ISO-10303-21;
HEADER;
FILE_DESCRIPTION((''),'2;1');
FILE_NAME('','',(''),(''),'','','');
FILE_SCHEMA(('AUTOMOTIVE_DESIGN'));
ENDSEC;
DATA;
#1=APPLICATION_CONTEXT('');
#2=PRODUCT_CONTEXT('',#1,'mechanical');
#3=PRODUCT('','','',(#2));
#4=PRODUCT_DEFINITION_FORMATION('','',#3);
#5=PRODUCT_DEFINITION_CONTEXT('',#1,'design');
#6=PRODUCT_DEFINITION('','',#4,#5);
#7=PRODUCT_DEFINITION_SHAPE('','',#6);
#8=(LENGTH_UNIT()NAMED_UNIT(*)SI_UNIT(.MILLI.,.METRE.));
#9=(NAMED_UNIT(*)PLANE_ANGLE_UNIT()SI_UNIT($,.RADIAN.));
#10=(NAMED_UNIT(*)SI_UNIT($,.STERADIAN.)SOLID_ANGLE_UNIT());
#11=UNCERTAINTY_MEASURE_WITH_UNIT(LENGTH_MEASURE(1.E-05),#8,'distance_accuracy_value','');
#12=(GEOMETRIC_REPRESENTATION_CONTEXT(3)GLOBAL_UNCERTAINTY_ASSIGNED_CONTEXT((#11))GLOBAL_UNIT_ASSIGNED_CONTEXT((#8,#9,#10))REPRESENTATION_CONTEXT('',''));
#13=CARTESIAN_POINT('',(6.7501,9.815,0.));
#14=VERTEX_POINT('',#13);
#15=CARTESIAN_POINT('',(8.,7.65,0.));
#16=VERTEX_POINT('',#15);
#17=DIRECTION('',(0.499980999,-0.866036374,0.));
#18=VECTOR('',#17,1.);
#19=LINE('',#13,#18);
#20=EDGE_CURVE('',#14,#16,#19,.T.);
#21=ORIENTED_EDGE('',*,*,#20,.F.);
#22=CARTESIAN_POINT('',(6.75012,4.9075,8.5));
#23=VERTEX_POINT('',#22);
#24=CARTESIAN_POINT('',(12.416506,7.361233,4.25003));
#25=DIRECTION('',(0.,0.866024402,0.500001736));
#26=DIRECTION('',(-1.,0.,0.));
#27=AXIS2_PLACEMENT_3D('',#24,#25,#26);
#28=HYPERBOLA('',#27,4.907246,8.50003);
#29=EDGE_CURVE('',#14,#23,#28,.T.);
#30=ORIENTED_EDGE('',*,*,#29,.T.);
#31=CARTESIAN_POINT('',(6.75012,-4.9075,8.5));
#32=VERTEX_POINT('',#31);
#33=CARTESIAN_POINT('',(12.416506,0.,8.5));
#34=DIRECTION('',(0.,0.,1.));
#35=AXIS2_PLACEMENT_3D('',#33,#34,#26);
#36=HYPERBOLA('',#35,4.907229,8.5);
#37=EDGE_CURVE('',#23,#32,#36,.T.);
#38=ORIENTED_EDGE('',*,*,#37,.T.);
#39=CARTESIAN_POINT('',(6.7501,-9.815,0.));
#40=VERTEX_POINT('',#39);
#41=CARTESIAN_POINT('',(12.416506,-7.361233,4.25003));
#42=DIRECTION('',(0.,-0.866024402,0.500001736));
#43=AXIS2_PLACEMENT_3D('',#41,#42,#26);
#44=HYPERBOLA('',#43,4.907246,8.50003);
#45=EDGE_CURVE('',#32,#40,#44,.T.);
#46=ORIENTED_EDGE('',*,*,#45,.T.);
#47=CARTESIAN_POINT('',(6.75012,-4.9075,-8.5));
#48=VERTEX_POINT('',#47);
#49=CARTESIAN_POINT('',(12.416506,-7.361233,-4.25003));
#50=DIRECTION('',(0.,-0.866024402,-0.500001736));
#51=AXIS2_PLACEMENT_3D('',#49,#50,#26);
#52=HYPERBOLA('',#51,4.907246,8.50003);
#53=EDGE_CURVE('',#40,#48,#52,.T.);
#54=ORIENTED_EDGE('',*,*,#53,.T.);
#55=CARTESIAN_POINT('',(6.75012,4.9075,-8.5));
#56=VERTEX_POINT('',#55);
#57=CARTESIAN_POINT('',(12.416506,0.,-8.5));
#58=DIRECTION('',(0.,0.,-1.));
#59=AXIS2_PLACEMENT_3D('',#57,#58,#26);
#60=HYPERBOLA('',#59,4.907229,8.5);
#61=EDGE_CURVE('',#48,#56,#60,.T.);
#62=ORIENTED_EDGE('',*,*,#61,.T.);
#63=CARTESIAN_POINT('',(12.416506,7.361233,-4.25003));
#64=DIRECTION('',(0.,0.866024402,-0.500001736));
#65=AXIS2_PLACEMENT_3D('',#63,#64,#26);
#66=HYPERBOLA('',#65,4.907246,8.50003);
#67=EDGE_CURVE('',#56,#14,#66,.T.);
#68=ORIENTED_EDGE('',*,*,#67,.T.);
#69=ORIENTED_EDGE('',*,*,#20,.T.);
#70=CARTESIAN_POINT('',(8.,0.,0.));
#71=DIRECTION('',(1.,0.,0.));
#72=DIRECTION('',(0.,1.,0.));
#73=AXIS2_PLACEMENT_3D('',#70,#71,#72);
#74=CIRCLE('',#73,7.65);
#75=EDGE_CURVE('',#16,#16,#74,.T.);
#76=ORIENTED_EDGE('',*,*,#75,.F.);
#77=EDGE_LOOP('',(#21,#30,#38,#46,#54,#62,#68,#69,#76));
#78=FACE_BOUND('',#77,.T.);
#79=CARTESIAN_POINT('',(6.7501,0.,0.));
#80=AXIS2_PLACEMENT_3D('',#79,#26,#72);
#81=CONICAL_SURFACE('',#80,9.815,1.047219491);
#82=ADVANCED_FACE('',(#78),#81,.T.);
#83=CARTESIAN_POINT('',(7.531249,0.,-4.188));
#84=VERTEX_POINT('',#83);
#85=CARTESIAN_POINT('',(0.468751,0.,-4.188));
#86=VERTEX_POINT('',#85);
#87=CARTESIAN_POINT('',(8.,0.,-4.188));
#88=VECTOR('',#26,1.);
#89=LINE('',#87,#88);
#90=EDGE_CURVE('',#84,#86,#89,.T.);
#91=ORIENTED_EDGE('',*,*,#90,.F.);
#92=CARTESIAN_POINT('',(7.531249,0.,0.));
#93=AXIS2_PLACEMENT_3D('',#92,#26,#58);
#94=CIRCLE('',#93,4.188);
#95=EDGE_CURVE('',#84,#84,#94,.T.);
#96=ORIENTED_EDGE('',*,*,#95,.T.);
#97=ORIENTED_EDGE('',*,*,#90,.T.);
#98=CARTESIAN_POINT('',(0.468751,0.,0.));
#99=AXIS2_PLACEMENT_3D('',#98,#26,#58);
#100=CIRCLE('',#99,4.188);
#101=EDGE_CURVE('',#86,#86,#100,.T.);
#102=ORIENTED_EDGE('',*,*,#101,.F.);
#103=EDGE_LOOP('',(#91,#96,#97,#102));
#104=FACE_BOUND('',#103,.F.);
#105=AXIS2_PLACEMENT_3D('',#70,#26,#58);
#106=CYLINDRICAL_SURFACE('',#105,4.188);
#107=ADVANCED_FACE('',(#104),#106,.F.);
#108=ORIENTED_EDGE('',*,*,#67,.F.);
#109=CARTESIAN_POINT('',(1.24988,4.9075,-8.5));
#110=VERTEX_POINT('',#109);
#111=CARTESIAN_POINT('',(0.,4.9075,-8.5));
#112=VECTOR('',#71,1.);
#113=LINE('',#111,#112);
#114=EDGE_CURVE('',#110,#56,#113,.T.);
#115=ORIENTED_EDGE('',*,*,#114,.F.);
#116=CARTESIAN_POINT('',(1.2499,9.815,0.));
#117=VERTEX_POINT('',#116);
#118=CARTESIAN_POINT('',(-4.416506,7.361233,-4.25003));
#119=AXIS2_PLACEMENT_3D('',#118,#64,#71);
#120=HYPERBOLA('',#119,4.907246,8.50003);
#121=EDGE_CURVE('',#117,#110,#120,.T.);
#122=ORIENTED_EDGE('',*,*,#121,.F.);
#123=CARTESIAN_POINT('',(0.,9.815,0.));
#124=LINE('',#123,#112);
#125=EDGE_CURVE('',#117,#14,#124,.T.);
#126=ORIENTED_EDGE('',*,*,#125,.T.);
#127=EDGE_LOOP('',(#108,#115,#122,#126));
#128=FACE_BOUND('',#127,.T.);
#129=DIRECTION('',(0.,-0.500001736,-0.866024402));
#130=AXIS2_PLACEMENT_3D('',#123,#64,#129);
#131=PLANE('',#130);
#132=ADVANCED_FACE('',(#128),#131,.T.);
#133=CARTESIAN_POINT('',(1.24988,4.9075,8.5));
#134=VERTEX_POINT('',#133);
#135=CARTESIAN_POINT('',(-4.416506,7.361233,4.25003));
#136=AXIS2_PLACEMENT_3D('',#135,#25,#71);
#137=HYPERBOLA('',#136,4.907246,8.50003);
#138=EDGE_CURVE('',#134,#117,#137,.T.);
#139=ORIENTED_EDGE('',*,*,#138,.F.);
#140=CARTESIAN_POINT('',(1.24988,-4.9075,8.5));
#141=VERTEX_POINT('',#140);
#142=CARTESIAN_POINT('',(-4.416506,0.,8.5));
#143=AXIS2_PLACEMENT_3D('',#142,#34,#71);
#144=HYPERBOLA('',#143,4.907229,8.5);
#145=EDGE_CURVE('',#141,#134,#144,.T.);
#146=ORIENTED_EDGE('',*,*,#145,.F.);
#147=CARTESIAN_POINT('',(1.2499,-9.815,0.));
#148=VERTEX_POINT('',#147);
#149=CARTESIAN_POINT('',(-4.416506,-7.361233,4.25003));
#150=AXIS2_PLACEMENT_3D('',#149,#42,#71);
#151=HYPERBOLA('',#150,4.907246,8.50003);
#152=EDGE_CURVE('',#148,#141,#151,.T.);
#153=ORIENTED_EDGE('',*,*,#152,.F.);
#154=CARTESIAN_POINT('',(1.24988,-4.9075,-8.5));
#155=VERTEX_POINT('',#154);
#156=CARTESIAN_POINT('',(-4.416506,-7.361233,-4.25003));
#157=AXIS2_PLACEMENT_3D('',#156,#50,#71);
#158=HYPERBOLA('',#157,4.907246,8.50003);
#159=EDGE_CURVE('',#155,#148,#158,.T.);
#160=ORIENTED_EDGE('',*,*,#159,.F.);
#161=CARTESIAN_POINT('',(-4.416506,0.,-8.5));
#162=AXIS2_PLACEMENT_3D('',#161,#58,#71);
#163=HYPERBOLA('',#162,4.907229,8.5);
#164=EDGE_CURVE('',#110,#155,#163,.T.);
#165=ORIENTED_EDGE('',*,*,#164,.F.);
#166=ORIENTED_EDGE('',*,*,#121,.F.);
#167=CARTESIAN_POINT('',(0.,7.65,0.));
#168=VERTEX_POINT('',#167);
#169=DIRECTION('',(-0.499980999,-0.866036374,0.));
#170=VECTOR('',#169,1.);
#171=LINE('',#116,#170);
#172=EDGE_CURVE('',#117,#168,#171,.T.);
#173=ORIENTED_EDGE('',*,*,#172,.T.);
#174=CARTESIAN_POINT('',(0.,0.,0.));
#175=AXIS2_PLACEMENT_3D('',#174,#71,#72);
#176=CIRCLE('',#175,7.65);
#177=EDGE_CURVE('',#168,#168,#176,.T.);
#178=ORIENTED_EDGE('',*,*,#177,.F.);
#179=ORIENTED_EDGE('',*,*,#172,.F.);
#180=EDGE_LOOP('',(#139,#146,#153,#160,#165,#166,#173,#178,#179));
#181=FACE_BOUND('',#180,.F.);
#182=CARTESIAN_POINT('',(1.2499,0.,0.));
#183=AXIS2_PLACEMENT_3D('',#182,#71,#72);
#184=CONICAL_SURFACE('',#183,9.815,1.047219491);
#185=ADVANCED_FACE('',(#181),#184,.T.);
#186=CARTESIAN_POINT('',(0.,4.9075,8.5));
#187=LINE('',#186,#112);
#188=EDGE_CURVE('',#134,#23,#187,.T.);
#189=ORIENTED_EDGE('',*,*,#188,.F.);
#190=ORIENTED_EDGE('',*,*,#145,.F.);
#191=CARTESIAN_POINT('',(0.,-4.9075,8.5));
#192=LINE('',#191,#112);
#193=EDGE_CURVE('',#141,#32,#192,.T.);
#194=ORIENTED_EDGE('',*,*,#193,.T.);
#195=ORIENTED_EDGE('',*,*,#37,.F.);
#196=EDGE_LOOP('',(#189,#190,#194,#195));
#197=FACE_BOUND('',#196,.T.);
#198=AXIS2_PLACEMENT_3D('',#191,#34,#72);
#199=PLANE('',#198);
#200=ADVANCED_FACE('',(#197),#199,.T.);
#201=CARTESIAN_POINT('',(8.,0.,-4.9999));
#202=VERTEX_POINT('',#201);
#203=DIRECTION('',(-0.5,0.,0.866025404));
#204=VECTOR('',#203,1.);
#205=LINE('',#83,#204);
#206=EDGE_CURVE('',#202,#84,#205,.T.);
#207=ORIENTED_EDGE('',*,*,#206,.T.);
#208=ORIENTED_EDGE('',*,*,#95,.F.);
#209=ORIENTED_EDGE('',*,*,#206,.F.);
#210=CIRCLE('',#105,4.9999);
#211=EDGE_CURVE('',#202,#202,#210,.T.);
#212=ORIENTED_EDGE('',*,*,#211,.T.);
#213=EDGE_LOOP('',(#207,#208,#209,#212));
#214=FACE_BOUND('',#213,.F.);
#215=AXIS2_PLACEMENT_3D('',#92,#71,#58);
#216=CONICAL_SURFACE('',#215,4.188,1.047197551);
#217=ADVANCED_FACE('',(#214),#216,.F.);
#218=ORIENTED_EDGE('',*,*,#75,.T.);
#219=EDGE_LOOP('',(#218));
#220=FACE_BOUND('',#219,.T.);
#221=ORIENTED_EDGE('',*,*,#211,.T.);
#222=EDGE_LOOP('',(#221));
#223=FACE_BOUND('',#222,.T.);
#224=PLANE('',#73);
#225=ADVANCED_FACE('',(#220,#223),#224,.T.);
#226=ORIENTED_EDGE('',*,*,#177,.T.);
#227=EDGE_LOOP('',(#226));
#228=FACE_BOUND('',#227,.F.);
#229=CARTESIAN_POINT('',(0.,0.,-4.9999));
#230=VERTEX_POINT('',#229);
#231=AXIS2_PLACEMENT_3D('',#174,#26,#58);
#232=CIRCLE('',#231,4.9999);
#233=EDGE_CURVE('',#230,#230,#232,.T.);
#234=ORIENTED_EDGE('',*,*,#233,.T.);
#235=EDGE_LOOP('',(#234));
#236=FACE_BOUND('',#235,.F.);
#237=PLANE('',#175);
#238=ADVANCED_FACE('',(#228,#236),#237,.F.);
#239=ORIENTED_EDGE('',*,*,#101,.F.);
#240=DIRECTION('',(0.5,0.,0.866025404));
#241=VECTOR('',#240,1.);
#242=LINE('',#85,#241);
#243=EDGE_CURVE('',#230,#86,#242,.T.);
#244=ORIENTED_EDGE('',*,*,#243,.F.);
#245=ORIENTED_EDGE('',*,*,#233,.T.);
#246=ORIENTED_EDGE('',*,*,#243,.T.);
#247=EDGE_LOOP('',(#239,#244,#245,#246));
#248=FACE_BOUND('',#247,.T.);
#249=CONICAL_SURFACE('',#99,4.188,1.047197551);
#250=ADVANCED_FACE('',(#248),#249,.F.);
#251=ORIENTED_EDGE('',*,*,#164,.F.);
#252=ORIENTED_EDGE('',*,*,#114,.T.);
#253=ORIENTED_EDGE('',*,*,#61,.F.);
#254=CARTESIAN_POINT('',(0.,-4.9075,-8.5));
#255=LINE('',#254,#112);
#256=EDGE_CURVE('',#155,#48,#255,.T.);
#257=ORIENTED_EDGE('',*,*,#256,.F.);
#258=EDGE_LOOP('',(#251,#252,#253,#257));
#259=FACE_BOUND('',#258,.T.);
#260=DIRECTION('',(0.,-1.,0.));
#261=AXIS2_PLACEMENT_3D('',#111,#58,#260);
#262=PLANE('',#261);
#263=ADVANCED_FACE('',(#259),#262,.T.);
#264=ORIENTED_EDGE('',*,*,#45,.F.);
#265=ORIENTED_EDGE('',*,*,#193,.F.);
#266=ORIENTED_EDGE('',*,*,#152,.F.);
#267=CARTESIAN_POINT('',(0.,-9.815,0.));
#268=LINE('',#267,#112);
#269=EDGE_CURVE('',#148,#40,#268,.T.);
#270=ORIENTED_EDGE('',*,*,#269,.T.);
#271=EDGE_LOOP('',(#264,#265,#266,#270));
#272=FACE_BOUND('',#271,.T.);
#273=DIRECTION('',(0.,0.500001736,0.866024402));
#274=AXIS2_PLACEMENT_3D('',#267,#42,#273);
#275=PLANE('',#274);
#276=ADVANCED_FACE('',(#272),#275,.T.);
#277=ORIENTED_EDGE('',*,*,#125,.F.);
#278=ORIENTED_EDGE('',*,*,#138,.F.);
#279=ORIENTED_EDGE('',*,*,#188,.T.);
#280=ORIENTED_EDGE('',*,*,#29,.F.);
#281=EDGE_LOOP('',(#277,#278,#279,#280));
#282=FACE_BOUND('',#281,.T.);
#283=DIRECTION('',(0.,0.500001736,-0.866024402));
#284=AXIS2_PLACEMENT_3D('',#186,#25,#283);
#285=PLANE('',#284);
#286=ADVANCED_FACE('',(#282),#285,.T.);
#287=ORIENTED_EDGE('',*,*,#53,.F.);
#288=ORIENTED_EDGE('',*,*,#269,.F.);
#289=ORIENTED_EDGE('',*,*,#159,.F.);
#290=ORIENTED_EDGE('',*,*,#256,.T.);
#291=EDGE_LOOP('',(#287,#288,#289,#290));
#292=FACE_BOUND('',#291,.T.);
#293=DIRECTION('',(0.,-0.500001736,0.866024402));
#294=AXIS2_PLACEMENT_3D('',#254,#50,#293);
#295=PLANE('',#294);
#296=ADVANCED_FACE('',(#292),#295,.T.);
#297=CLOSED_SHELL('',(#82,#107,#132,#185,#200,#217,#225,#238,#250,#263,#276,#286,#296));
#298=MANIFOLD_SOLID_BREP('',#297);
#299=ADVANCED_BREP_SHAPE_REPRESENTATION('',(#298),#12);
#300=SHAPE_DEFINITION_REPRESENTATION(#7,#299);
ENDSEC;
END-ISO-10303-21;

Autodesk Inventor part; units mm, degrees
ref_plane "YZ Plane" through (0, 0, 0) normal (1, 0, 0) x (0, 1, 0)
ref_plane "XZ Plane" through (0, 0, 0) normal (0, 1, 0) x (-1, 0, 0)
sketch "Эскиз1" plane through (0, 0, 0) normal (1, 0, 0) x (0, 1, 0)
  line L0 (-9.815, 0) -> (-4.9075, 8.5)
  line L1 (-4.9075, 8.5) -> (4.9075, 8.5)
  line L2 (4.9075, 8.5) -> (9.815, 0)
  line L3 (9.815, 0) -> (4.9075, -8.5)
  line L4 (4.9075, -8.5) -> (-4.9075, -8.5)
  line L5 (-4.9075, -8.5) -> (-9.815, 0)
  point P0 (0, 0)
  point P1 (0, 0)
  dimension "d0" = 19.6299
extrude "Базовый элемент" add sketch "Эскиз1" along normal blind 8
sketch "Эскиз2" plane through (0, 0, 0) normal (0, 0, 1) x (1, 0, 0)
  line L0 (0, 4.9075) -> (0, 9.815) projected
  line L1 (0, 9.815) -> (8, 9.815) projected
  line L2 (8, 4.9075) -> (8, 9.815) projected
  line L3 (-1.6, 0) -> (9.6, 0) projected
  line L4 (1.2499, 9.815) -> (0, 7.65)
  line L5 (6.7501, 9.815) -> (8, 7.65)
  dimension "d3" = 30
  dimension "d4" = 30
  dimension "d5" = 15.3
  dimension "d6" = 15.3
revolve "Фаска1" cut sketch "Эскиз2" angle 360 about axis through (-10, 0, 0) along (1, 0, 0)
sketch "Эскиз3" plane through (8, 0, 0) normal (1, 0, 0) x (0, 0, -1)
  arc A0 (-0.625, -1.0825) -> (0.625, -1.0825) centre (0, 0) ccw projected
hole "Резьба" at (8, 0, 0) direction (-1, 0, 0) diameter 8.376 end through all thread size "M10x1.5" class "6H" standard "ISO Metric profile"
chamfer "Фаска2" distance 0.8119 angle 30 1 edges at (8, 0, 4.188) measured on face at (8, 6.4117, -0.7785)
chamfer "Фаска3" distance 0.8119 angle 30 1 edges at (0, 0, 4.188) measured on face at (0, 6.4117, -0.7785)
ref_plane "Work Plane1" through (-19.2723, 0, 0) normal (0, -0.866, -0.5) x (1, 0, 0)
equation "\"d0\" = 1.1547 * SW"
equation "\"d1\" = KOH"
equation "\"d3\" = ANG1"
equation "\"d4\" = ANG2"
equation "\"d5\" = SW0"
equation "\"d6\" = SW01"
equation "\"d8\" = -0.5 * GD1 + 0.5 * NND"
equation "\"d40\" = -0.5 * GD1 + 0.5 * NND"
equation "\"d10\" = -0.5 * GD1 + 0.5 * NND"
equation "\"d41\" = -0.5 * GD1 + 0.5 * NND"
equation "\"ANG1\" = 30deg"
equation "\"ANG2\" = 30deg"
equation "\"KOH\" = 8"
equation "\"SW\" = 17"
equation "\"SW0\" = 15.3"
equation "\"SW01\" = SW0"
equation "\"GUL\" = 0.541266 * PTC"
equation "\"LADI\" = 16.15"
equation "\"TOA\" = 30deg"
equation "\"FAWI\" = 30deg"
equation "\"PTC\" = 1.5"
equation "\"E0\" = 1.155 * SW"
equation "\"GAL\" = 0.541266 * PTC"
equation "\"GD1\" = 8.376202"
equation "\"NND\" = 10"
properties part number "Гайка M10-6H ГОСТ 5915-70(1)" material "Сталь, мягкая"
